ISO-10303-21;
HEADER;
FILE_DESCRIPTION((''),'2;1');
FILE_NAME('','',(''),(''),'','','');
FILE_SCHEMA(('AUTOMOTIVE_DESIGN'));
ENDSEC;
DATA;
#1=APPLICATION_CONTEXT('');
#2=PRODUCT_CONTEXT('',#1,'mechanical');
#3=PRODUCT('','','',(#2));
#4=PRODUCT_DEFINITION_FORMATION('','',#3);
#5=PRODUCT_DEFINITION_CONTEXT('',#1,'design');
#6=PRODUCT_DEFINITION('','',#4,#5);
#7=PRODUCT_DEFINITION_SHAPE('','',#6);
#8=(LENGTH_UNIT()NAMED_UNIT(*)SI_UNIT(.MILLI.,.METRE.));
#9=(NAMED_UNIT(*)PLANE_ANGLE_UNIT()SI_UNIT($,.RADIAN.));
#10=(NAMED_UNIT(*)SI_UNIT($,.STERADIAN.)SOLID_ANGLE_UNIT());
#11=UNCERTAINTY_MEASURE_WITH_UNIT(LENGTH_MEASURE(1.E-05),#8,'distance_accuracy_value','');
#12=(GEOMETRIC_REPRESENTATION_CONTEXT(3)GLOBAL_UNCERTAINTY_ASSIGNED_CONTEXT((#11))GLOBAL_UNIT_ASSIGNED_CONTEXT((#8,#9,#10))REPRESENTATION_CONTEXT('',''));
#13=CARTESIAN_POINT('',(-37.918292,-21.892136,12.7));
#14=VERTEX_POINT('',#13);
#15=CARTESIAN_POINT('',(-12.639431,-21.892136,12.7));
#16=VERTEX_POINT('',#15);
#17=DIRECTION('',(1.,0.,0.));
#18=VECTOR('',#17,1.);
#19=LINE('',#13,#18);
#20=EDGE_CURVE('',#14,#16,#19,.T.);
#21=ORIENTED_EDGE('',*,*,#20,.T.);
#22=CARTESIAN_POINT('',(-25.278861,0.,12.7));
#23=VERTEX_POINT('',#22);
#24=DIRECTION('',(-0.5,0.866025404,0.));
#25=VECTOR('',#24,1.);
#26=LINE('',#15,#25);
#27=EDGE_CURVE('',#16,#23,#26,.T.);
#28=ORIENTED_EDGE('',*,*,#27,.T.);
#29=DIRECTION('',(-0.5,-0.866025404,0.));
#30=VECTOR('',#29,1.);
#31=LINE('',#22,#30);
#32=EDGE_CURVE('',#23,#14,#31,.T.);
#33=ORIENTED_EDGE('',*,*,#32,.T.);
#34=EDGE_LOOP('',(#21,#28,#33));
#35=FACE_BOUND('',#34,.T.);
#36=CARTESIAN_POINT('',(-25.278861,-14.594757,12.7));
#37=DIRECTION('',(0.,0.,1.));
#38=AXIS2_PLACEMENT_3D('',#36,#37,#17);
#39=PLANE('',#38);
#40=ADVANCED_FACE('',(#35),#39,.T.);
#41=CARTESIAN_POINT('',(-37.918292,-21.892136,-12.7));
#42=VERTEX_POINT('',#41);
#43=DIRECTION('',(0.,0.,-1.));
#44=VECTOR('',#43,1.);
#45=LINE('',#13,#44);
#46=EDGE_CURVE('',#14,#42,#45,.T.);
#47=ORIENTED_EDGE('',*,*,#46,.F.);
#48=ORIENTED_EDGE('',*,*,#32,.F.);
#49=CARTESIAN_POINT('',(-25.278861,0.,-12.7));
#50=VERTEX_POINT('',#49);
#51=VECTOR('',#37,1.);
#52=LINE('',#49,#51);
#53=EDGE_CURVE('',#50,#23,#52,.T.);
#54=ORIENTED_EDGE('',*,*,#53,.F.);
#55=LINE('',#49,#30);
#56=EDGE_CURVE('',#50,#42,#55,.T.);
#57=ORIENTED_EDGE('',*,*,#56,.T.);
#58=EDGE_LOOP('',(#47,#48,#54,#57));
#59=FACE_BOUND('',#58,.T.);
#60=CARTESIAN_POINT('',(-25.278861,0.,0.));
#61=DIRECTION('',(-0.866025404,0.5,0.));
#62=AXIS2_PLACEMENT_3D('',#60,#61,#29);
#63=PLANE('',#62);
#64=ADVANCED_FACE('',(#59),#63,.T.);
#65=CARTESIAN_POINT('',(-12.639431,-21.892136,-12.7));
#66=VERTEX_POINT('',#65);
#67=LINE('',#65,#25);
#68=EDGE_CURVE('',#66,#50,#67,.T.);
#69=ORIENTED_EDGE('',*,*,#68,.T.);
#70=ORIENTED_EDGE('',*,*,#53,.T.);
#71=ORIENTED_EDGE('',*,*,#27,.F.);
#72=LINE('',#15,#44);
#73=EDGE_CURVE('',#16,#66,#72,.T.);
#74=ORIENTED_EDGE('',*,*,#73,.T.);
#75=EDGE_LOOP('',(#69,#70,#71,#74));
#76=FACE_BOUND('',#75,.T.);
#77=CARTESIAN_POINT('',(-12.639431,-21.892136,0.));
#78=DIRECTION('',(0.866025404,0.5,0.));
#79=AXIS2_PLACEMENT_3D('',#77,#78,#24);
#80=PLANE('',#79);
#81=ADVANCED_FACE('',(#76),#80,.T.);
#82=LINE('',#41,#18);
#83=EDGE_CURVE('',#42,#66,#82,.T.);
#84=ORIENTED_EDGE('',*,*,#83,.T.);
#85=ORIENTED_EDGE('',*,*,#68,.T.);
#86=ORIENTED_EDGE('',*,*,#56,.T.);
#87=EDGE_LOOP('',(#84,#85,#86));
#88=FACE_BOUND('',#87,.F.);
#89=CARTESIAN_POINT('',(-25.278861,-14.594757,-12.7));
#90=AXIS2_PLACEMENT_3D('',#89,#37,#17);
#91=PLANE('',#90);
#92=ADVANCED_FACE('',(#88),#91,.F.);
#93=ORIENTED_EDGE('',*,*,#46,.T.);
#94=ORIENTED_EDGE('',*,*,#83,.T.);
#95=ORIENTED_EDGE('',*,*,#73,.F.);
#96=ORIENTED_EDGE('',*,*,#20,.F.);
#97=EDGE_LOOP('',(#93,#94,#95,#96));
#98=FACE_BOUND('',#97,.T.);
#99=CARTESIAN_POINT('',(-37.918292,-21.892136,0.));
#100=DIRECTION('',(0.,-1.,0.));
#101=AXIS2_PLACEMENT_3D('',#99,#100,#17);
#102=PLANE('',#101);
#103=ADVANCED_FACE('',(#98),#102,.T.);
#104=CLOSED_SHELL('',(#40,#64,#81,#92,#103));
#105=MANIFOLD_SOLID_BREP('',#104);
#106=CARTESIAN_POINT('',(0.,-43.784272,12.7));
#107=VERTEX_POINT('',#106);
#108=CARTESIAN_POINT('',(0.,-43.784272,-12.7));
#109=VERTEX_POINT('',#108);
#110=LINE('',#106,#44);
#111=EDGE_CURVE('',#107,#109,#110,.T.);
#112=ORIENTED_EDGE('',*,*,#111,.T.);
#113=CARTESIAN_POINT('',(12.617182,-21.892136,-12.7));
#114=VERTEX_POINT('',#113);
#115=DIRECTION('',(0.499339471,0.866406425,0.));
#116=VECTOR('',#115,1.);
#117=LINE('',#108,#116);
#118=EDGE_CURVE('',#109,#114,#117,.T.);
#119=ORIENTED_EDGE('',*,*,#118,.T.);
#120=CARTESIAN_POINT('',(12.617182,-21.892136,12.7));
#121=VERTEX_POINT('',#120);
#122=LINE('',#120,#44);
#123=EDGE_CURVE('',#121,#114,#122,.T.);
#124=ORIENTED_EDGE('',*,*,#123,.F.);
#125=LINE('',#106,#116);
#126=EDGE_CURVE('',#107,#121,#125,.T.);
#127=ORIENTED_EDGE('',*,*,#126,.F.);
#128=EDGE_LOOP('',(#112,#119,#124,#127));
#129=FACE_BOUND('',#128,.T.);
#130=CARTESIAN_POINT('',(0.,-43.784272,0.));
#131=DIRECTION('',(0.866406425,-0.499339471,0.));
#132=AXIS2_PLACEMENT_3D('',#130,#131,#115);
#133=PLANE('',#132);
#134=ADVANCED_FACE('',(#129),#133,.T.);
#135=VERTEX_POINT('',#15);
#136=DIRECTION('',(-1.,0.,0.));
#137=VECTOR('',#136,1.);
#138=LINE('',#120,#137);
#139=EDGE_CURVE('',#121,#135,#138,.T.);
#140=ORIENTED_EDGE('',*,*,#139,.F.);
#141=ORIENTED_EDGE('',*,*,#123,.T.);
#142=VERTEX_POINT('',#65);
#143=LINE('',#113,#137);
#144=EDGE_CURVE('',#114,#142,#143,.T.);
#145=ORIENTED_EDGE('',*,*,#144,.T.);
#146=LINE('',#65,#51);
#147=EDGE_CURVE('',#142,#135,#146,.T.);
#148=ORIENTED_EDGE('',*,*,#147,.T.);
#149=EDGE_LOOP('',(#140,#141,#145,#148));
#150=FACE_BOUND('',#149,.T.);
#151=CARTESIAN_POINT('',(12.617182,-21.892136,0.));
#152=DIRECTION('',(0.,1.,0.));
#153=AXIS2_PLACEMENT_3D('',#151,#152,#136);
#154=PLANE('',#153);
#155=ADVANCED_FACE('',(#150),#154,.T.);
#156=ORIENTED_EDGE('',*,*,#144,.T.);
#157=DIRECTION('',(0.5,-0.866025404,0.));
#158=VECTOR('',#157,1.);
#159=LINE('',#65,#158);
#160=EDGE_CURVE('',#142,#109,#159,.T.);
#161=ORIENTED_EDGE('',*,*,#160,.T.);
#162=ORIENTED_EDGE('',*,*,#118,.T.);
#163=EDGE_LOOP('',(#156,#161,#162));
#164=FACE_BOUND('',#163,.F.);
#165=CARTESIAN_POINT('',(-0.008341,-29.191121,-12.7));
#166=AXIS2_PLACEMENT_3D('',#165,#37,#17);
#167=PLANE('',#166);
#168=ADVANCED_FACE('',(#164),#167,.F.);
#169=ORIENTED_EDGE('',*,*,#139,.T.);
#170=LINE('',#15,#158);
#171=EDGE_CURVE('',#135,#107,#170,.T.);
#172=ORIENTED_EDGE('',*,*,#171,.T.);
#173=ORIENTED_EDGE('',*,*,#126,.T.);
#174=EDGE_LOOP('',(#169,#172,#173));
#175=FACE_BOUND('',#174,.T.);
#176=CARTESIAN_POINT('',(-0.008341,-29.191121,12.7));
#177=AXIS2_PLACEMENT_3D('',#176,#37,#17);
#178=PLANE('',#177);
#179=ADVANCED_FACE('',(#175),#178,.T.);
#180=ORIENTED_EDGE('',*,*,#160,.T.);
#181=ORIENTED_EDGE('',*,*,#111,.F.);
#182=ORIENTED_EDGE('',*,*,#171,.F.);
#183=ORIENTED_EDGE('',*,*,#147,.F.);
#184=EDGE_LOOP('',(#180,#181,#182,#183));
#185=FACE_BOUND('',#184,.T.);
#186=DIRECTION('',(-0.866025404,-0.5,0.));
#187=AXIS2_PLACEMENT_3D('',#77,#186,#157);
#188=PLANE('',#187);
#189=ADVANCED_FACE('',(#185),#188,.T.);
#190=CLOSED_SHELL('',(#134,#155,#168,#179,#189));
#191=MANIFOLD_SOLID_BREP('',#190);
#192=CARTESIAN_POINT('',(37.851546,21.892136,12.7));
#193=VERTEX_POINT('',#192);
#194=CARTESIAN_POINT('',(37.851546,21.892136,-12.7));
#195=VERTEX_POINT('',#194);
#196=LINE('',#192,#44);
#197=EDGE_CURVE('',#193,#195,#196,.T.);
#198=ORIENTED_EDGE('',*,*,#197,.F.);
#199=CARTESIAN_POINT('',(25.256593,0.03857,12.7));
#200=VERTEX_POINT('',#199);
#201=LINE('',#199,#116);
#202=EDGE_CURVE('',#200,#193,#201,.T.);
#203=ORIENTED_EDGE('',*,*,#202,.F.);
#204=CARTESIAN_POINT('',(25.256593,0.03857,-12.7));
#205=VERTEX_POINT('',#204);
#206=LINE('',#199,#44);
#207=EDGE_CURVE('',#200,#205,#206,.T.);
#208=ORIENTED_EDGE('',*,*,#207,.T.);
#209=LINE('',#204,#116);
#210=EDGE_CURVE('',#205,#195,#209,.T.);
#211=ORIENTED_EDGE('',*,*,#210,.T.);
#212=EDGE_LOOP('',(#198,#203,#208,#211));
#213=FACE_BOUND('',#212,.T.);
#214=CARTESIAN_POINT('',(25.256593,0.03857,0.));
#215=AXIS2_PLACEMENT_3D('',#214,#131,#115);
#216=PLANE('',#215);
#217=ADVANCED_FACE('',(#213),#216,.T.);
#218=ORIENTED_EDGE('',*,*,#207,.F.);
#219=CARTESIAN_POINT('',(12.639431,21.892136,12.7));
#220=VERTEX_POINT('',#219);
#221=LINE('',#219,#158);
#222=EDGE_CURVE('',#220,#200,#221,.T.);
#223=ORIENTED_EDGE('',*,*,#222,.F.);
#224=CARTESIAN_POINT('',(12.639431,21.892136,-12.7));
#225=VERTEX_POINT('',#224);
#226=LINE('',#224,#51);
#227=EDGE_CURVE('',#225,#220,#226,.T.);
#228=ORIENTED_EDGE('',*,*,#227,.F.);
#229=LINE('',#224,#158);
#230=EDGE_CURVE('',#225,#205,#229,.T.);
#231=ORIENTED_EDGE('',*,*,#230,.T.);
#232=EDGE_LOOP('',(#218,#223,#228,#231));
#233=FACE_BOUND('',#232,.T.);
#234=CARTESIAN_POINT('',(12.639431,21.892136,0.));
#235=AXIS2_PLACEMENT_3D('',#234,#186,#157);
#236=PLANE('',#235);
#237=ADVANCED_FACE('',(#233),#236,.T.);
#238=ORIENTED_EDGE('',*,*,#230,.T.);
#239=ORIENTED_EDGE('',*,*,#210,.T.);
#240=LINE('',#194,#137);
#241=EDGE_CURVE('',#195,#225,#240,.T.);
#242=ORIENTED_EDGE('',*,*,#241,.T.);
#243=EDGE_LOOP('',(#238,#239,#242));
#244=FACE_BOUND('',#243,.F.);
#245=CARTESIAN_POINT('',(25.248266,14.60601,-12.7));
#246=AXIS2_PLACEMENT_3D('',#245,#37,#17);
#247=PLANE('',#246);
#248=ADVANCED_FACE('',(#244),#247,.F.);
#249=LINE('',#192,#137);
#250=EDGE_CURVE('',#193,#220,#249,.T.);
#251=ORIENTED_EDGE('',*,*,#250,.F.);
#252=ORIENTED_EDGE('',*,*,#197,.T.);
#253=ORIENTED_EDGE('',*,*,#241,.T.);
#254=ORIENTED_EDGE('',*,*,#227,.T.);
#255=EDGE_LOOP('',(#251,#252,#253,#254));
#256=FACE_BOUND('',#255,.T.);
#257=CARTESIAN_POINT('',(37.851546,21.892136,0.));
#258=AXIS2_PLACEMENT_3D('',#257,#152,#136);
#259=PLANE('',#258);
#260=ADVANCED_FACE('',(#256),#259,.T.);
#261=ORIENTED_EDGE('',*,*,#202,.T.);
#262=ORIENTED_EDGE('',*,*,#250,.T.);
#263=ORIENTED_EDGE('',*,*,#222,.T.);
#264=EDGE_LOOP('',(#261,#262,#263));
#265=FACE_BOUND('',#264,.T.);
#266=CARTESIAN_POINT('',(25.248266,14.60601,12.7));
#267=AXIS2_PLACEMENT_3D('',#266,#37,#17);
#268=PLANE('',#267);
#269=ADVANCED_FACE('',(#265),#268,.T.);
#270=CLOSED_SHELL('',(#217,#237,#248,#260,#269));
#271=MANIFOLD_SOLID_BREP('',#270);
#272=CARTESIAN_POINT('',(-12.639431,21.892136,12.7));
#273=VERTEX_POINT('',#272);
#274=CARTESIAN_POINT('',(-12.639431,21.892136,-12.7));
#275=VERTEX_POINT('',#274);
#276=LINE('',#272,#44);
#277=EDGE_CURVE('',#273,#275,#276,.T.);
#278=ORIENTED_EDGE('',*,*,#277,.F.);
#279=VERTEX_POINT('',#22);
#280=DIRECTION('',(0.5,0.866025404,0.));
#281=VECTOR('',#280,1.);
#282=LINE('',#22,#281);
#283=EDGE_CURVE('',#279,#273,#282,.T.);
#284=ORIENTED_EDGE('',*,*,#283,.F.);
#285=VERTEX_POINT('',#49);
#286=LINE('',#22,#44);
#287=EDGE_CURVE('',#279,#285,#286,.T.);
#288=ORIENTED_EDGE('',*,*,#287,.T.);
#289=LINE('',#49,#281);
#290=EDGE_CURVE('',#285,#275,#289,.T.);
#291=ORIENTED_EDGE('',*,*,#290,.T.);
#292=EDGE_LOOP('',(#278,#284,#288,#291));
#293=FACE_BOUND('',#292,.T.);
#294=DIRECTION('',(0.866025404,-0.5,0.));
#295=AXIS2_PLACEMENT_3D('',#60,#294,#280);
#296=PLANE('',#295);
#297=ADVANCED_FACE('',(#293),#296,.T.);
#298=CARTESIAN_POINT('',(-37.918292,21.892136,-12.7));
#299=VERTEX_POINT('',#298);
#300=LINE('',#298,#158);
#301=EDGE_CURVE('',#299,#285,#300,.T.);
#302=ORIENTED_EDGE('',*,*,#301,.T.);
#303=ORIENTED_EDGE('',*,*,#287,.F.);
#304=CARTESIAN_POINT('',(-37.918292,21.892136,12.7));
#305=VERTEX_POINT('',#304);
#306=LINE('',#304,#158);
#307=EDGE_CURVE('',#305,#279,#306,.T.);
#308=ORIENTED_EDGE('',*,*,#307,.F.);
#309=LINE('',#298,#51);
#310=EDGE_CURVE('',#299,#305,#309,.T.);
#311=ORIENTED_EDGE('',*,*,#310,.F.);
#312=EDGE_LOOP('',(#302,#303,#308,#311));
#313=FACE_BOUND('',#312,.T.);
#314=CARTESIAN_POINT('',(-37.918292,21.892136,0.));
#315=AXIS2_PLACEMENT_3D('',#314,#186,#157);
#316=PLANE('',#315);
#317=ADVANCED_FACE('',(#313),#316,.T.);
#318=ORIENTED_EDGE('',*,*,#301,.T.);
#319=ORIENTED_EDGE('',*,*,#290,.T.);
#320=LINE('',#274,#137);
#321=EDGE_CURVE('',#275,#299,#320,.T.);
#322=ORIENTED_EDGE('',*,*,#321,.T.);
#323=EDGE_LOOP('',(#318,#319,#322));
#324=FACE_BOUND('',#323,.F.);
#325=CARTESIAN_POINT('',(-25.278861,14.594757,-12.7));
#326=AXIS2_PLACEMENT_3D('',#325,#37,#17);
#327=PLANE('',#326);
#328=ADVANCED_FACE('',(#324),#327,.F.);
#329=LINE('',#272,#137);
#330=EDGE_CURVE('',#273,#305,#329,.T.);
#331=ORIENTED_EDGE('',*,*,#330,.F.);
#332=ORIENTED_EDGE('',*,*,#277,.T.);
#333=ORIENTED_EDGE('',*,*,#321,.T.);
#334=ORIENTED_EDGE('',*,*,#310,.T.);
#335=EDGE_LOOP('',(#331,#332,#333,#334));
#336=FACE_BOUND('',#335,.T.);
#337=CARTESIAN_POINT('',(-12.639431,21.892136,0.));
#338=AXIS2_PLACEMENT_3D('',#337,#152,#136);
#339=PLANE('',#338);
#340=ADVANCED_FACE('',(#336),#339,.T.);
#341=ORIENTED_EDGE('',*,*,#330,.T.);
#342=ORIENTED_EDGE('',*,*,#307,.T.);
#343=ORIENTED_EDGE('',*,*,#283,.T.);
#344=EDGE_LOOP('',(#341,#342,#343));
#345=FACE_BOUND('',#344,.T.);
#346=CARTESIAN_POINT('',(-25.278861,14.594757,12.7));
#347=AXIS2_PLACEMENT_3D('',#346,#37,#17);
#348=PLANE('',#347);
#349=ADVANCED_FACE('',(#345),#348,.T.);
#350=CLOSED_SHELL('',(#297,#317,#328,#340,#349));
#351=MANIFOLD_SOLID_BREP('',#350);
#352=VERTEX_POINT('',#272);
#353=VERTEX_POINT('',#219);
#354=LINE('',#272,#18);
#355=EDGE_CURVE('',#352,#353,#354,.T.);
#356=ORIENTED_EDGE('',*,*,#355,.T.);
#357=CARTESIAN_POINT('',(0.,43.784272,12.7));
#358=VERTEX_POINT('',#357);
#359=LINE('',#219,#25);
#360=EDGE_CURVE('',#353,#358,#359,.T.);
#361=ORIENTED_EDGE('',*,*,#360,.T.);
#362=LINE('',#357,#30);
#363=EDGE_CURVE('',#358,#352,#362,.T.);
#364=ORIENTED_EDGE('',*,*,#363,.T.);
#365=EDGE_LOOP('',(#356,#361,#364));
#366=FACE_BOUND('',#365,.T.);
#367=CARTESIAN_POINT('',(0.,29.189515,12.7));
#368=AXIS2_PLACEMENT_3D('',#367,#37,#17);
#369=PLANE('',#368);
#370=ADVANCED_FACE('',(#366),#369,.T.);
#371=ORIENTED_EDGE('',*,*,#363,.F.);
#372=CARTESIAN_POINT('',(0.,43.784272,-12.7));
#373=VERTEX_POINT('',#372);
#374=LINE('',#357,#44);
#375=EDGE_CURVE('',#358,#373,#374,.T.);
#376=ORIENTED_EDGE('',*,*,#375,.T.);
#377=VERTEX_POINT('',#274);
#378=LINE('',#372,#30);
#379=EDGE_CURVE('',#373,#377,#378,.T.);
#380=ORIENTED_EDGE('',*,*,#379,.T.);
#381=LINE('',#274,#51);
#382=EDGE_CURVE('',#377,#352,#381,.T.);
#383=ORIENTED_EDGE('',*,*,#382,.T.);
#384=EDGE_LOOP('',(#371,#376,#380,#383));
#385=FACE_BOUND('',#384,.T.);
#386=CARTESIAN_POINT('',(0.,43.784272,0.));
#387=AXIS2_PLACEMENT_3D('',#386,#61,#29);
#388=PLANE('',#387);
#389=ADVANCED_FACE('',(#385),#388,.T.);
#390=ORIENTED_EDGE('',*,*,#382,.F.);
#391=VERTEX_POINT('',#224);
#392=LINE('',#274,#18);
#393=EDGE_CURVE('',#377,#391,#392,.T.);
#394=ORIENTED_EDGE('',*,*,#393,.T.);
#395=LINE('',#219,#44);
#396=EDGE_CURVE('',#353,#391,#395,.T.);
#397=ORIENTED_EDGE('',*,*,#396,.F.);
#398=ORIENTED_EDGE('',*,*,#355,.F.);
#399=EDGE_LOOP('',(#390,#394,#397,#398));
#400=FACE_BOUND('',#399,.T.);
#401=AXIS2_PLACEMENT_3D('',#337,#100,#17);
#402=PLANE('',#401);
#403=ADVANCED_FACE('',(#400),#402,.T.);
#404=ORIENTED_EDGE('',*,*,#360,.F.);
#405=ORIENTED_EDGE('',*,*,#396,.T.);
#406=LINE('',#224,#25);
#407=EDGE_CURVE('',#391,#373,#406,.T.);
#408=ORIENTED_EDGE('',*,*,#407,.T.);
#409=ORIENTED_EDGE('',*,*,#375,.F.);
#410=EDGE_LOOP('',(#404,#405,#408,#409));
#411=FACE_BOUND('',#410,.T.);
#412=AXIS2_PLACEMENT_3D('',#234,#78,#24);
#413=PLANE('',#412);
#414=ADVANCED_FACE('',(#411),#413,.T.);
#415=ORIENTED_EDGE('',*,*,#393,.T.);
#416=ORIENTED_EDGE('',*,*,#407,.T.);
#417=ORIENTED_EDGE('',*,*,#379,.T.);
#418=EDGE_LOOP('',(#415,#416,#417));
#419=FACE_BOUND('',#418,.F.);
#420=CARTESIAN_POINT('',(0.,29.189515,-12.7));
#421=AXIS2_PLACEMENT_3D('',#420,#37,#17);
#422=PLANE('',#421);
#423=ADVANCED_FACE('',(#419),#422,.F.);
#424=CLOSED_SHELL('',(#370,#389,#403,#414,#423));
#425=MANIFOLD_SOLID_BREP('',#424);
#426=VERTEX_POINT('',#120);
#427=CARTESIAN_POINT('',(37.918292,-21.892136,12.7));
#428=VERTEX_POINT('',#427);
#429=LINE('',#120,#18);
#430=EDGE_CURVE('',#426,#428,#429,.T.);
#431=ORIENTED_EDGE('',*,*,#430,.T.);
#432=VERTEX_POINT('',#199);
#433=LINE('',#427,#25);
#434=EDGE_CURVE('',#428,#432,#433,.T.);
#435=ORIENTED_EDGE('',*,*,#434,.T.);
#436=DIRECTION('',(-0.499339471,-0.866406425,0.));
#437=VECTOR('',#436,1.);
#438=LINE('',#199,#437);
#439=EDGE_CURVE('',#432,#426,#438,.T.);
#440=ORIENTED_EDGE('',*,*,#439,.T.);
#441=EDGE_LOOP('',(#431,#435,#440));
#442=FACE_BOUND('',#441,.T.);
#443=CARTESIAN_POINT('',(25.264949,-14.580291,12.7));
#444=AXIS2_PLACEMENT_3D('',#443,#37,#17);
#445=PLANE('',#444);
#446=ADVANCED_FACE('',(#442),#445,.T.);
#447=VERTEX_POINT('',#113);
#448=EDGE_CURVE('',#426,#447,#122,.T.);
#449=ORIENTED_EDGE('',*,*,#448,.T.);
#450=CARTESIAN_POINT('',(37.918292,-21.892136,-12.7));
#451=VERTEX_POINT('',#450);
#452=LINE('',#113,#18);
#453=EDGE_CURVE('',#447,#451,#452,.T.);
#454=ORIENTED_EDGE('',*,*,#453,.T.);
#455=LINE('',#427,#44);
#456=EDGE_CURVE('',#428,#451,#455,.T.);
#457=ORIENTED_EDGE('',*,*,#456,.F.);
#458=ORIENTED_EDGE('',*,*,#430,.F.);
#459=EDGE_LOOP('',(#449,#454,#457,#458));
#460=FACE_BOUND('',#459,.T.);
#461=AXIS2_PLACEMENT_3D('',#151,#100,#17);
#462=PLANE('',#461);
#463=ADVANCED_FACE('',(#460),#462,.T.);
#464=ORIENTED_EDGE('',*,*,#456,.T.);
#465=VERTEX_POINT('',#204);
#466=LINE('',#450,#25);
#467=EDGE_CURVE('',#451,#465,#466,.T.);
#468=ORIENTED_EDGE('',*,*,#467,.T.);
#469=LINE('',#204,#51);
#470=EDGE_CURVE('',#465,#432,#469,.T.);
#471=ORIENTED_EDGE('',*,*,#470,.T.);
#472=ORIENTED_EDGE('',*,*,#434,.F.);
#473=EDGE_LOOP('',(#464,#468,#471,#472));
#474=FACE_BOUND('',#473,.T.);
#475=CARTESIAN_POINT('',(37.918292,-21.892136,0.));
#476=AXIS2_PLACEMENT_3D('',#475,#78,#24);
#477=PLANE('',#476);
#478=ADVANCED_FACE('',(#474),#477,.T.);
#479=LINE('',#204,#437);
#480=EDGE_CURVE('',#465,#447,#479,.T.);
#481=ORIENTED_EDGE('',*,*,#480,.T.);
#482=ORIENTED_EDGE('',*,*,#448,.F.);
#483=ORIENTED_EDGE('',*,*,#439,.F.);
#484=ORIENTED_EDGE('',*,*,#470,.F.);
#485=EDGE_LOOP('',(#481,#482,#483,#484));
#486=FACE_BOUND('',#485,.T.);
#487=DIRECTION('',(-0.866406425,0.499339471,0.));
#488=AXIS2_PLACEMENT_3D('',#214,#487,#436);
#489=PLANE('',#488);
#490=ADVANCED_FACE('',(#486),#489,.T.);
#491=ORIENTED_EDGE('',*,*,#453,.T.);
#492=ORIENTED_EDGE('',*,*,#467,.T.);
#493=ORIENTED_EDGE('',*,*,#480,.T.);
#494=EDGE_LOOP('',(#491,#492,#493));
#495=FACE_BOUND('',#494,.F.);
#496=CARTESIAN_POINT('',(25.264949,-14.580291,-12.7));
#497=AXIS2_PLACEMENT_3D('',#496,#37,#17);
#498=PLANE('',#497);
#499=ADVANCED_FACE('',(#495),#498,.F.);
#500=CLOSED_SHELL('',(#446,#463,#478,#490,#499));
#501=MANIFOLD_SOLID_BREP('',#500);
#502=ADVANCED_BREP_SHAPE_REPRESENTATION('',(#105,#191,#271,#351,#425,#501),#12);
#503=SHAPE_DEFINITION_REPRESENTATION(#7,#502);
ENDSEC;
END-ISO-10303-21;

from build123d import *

# Parameters (mm, degrees)
F2_DEPTH = 12.7


with BuildPart() as f2:
    # F1 (on Top) → F2 (new body, symmetric)
    with BuildSketch(Plane.XY):
        Polygon((37.9182917739, -21.8921359628), (25.2565930498, 0.0385695373), (12.6171820573, -21.8921359628), align=None)
    extrude(amount=F2_DEPTH, both=True)


with BuildPart() as f2b:
    # F1 (on Top) → F2, piece 2 (new body, symmetric)
    with BuildSketch(Plane.XY):
        Polygon((37.8515461718, 21.8921359628), (12.6394305913, 21.8921359628), (25.2565930498, 0.0385695373), align=None)
    extrude(amount=F2_DEPTH, both=True)


with BuildPart() as f2c:
    # F1 (on Top) → F2, piece 3 (new body, symmetric)
    with BuildSketch(Plane.XY):
        Polygon((0, 43.7842719257), (-12.6394305913, 21.8921359628), (12.6394305913, 21.8921359628), align=None)
    extrude(amount=F2_DEPTH, both=True)


with BuildPart() as f2d:
    # F1 (on Top) → F2, piece 4 (new body, symmetric)
    with BuildSketch(Plane.XY):
        Polygon((-12.6394305913, 21.8921359628), (-37.9182917739, 21.8921359628), (-25.2788611826, 0), align=None)
    extrude(amount=F2_DEPTH, both=True)


with BuildPart() as f2e:
    # F1 (on Top) → F2, piece 5 (new body, symmetric)
    with BuildSketch(Plane.XY):
        Polygon((-12.6394305913, -21.8921359628), (-25.2788611826, 0), (-37.9182917739, -21.8921359628), align=None)
    extrude(amount=F2_DEPTH, both=True)


with BuildPart() as f2f:
    # F1 (on Top) → F2, piece 6 (new body, symmetric)
    with BuildSketch(Plane.XY):
        Polygon((12.6171820573, -21.8921359628), (-12.6394305913, -21.8921359628), (0, -43.7842719257), align=None)
    extrude(amount=F2_DEPTH, both=True)


solid = Compound([f2.part, f2b.part, f2c.part, f2d.part, f2e.part, f2f.part])
